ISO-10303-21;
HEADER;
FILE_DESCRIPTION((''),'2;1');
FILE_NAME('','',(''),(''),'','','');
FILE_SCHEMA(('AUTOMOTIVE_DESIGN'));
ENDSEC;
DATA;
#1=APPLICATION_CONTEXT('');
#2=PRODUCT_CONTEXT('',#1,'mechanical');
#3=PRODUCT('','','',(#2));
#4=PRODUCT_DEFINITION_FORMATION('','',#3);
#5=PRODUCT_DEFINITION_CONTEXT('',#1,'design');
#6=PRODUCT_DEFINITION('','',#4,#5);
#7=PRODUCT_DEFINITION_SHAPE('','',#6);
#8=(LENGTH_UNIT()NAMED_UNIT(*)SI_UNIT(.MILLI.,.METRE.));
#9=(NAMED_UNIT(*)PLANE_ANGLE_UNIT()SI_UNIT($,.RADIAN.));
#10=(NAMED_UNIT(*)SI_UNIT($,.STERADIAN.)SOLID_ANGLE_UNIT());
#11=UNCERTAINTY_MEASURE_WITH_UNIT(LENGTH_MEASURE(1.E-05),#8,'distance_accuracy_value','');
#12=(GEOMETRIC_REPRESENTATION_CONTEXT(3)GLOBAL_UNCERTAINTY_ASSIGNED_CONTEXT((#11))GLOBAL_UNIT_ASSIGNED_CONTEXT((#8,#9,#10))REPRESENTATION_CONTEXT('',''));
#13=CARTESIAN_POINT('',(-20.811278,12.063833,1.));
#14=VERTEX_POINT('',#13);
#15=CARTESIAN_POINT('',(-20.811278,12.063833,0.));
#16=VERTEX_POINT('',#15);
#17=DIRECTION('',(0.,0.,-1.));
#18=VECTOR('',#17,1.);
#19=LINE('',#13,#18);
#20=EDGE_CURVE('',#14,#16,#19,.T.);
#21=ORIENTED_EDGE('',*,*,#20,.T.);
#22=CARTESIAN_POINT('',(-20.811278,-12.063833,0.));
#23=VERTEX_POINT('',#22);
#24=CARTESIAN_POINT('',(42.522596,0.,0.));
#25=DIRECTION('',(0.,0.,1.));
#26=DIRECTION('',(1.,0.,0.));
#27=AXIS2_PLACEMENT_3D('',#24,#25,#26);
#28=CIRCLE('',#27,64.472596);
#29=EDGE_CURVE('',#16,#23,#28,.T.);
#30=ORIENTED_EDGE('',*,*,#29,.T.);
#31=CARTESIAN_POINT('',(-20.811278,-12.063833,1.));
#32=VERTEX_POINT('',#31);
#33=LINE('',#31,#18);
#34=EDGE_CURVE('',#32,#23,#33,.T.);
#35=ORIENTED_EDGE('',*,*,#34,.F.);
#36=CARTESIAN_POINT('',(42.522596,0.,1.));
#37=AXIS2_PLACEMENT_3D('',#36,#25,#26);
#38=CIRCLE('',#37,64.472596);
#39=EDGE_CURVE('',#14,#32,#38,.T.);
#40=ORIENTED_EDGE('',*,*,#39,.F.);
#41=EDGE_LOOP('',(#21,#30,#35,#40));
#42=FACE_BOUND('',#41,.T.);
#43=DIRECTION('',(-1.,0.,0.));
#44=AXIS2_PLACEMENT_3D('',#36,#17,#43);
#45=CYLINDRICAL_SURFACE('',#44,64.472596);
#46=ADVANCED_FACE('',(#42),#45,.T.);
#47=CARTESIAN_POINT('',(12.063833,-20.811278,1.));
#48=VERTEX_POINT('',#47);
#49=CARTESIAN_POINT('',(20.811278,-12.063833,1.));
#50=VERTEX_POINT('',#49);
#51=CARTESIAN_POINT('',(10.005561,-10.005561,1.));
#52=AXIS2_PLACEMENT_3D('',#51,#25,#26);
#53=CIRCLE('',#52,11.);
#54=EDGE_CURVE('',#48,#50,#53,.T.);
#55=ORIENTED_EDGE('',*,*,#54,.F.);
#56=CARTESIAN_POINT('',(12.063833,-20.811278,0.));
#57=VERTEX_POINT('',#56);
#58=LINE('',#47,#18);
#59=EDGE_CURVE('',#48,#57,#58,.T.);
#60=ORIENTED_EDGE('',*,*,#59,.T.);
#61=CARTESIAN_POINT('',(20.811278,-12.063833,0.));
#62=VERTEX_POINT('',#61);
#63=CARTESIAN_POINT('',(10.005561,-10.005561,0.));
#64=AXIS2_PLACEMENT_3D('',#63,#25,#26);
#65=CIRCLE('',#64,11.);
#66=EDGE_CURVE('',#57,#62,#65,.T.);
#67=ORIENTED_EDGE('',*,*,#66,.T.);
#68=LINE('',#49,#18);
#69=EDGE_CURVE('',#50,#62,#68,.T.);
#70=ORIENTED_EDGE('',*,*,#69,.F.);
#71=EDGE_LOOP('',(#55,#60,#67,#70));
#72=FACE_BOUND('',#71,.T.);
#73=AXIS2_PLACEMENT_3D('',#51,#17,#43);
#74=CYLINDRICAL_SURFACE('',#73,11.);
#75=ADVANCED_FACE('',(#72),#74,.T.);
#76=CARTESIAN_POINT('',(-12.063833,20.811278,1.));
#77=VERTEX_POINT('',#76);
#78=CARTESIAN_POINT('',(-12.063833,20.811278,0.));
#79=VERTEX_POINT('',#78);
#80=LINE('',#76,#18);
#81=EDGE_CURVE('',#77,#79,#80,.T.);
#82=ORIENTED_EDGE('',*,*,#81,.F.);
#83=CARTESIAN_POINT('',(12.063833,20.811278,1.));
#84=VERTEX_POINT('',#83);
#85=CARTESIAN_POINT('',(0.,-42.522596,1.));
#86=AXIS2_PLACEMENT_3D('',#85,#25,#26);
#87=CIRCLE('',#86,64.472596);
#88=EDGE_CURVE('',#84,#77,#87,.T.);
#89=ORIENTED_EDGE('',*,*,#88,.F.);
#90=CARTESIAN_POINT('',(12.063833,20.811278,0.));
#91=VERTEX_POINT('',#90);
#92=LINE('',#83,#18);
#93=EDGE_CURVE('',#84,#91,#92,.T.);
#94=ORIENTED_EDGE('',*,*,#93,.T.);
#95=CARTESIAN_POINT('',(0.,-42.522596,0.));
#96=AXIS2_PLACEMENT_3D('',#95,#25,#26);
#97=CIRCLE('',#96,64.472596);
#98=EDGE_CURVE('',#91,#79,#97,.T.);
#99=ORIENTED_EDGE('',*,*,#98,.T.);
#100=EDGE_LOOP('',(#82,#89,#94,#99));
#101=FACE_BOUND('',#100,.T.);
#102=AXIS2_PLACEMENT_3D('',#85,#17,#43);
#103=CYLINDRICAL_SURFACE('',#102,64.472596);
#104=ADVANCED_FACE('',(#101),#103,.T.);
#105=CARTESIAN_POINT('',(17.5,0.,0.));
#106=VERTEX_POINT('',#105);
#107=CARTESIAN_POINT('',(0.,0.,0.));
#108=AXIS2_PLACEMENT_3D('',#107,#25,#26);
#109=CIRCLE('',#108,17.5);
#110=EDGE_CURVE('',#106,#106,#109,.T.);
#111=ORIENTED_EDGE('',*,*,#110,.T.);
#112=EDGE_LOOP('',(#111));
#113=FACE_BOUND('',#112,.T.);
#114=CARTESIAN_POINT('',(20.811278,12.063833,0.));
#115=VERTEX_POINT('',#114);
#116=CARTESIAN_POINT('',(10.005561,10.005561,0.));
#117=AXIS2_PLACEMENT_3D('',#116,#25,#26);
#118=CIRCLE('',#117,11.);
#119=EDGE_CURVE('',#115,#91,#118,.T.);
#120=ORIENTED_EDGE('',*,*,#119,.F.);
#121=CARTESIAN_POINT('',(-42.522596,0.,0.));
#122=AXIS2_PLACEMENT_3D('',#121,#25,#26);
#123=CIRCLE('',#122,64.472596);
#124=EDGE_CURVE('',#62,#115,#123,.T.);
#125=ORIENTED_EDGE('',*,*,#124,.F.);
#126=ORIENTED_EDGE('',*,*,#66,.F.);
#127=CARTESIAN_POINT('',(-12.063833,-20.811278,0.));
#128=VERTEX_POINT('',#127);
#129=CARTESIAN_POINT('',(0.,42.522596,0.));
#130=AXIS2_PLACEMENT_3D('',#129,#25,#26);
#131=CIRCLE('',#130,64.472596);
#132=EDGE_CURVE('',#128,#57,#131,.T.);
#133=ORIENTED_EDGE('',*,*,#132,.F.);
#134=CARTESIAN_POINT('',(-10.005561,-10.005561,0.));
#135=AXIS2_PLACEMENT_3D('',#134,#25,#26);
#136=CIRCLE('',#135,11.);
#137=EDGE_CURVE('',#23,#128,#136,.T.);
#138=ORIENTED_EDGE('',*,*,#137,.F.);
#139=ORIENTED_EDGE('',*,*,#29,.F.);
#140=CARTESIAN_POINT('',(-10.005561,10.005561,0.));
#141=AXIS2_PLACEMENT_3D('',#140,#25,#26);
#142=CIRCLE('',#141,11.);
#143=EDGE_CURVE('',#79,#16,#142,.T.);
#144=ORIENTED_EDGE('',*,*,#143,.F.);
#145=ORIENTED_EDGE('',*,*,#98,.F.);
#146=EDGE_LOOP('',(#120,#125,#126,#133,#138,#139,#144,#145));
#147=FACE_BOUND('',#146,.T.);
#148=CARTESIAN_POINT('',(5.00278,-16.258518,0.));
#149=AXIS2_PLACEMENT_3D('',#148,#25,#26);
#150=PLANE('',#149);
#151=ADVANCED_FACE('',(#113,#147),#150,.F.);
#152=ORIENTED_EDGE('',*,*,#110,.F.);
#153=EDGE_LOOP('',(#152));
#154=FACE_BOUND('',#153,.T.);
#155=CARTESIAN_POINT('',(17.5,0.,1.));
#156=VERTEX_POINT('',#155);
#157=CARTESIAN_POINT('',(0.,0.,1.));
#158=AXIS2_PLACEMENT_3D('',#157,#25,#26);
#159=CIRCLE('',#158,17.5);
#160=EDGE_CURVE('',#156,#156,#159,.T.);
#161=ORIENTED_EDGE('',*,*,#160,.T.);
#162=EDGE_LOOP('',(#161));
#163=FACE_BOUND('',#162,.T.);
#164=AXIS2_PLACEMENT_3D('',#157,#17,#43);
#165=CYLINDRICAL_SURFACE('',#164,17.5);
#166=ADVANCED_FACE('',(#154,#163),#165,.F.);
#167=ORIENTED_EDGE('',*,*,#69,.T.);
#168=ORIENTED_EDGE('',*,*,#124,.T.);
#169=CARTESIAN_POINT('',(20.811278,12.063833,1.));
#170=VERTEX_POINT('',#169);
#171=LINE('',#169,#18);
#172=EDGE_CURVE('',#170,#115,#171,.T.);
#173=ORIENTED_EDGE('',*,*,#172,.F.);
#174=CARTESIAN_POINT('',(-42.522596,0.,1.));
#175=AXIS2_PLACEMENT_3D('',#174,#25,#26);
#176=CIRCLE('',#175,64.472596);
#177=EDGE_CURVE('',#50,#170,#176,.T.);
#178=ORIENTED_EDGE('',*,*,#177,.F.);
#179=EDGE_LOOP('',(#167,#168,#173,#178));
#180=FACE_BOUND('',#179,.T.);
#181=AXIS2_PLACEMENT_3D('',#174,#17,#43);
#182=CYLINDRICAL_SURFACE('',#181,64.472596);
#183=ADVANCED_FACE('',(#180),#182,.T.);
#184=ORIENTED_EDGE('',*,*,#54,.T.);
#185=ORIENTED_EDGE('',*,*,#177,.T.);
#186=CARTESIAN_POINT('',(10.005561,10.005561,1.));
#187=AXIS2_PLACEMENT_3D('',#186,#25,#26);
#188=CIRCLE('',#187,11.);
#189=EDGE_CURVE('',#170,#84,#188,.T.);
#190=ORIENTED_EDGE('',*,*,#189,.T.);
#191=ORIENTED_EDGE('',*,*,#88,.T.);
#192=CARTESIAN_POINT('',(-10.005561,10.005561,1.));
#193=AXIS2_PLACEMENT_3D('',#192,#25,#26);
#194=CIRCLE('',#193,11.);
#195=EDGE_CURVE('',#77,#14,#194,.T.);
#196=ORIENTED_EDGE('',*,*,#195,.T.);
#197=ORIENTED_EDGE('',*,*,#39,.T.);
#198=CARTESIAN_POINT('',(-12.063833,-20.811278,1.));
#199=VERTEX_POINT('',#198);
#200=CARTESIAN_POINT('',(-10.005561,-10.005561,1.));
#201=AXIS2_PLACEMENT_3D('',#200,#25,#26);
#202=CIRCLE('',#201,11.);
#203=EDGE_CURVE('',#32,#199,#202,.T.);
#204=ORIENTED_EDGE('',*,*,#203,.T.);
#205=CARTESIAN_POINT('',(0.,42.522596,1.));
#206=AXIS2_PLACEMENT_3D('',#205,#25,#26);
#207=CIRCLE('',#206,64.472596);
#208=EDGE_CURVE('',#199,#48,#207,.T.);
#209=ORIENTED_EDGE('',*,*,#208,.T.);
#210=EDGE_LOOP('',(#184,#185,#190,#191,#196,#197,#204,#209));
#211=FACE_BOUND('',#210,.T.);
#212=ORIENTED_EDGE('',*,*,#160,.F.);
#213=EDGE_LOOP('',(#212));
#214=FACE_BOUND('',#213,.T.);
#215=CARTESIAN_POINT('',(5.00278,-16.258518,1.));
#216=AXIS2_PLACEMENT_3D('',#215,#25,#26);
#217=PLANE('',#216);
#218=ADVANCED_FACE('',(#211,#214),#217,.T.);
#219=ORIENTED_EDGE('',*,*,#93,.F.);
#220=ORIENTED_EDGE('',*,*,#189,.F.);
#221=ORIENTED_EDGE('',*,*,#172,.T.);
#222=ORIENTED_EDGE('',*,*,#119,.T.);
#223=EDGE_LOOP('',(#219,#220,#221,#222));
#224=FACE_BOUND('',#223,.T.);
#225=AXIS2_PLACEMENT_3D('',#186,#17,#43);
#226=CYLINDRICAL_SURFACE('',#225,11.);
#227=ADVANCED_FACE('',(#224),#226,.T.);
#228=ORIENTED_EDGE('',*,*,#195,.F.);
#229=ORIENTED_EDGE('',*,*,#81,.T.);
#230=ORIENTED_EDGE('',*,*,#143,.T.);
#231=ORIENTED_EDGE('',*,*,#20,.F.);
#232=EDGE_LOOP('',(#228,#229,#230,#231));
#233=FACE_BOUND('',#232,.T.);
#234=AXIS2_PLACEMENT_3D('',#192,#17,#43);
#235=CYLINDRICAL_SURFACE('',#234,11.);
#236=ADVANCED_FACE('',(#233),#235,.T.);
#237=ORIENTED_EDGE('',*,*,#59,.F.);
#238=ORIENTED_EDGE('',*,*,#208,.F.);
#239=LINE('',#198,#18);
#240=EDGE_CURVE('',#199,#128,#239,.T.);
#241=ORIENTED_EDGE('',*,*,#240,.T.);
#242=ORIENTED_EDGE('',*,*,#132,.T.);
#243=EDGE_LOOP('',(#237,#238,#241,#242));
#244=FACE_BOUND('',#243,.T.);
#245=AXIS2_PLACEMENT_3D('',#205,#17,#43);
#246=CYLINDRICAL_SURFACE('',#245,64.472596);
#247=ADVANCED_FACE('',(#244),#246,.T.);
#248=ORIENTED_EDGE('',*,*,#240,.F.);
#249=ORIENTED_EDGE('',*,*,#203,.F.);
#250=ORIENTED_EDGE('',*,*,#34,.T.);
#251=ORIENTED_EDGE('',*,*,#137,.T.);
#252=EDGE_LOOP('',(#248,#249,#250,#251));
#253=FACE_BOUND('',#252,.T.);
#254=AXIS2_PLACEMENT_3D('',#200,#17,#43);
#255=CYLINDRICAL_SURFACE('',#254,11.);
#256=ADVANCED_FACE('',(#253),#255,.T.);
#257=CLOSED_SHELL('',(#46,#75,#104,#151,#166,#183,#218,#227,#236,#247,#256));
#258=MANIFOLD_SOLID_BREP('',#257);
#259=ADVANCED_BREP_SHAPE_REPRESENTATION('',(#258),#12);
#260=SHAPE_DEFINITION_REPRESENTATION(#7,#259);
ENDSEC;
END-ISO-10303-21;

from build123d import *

# Parameters (mm, degrees)
SKETCH1_R           = 17.5
BOSS_EXTRUDE1_DEPTH = 1


with BuildPart() as part:
    # Sketch1 → Boss-Extrude1 (new body)
    with BuildSketch(Plane.XY):
        with BuildLine():
            ThreePointArc((12.063833391, 20.811277708), (0, 21.95), (-12.063833391, 20.811277708))
            ThreePointArc((-12.063833391, 20.811277708), (-17.783735547, 17.783735547), (-20.811277708, 12.063833391))
            ThreePointArc((-20.811277708, 12.063833391), (-21.95, 0), (-20.811277708, -12.063833391))
            ThreePointArc((-20.811277708, -12.063833391), (-17.783735547, -17.783735547), (-12.063833391, -20.811277708))
            ThreePointArc((-12.063833391, -20.811277708), (0, -21.95), (12.063833391, -20.811277708))
            ThreePointArc((12.063833391, -20.811277708), (17.783735547, -17.783735547), (20.811277708, -12.063833391))
            ThreePointArc((20.811277708, -12.063833391), (21.95, 0), (20.811277708, 12.063833391))
            ThreePointArc((20.811277708, 12.063833391), (17.783735547, 17.783735547), (12.063833391, 20.811277708))
        make_face()
        Circle(SKETCH1_R, mode=Mode.SUBTRACT)
    extrude(amount=BOSS_EXTRUDE1_DEPTH)


solid = part.part
